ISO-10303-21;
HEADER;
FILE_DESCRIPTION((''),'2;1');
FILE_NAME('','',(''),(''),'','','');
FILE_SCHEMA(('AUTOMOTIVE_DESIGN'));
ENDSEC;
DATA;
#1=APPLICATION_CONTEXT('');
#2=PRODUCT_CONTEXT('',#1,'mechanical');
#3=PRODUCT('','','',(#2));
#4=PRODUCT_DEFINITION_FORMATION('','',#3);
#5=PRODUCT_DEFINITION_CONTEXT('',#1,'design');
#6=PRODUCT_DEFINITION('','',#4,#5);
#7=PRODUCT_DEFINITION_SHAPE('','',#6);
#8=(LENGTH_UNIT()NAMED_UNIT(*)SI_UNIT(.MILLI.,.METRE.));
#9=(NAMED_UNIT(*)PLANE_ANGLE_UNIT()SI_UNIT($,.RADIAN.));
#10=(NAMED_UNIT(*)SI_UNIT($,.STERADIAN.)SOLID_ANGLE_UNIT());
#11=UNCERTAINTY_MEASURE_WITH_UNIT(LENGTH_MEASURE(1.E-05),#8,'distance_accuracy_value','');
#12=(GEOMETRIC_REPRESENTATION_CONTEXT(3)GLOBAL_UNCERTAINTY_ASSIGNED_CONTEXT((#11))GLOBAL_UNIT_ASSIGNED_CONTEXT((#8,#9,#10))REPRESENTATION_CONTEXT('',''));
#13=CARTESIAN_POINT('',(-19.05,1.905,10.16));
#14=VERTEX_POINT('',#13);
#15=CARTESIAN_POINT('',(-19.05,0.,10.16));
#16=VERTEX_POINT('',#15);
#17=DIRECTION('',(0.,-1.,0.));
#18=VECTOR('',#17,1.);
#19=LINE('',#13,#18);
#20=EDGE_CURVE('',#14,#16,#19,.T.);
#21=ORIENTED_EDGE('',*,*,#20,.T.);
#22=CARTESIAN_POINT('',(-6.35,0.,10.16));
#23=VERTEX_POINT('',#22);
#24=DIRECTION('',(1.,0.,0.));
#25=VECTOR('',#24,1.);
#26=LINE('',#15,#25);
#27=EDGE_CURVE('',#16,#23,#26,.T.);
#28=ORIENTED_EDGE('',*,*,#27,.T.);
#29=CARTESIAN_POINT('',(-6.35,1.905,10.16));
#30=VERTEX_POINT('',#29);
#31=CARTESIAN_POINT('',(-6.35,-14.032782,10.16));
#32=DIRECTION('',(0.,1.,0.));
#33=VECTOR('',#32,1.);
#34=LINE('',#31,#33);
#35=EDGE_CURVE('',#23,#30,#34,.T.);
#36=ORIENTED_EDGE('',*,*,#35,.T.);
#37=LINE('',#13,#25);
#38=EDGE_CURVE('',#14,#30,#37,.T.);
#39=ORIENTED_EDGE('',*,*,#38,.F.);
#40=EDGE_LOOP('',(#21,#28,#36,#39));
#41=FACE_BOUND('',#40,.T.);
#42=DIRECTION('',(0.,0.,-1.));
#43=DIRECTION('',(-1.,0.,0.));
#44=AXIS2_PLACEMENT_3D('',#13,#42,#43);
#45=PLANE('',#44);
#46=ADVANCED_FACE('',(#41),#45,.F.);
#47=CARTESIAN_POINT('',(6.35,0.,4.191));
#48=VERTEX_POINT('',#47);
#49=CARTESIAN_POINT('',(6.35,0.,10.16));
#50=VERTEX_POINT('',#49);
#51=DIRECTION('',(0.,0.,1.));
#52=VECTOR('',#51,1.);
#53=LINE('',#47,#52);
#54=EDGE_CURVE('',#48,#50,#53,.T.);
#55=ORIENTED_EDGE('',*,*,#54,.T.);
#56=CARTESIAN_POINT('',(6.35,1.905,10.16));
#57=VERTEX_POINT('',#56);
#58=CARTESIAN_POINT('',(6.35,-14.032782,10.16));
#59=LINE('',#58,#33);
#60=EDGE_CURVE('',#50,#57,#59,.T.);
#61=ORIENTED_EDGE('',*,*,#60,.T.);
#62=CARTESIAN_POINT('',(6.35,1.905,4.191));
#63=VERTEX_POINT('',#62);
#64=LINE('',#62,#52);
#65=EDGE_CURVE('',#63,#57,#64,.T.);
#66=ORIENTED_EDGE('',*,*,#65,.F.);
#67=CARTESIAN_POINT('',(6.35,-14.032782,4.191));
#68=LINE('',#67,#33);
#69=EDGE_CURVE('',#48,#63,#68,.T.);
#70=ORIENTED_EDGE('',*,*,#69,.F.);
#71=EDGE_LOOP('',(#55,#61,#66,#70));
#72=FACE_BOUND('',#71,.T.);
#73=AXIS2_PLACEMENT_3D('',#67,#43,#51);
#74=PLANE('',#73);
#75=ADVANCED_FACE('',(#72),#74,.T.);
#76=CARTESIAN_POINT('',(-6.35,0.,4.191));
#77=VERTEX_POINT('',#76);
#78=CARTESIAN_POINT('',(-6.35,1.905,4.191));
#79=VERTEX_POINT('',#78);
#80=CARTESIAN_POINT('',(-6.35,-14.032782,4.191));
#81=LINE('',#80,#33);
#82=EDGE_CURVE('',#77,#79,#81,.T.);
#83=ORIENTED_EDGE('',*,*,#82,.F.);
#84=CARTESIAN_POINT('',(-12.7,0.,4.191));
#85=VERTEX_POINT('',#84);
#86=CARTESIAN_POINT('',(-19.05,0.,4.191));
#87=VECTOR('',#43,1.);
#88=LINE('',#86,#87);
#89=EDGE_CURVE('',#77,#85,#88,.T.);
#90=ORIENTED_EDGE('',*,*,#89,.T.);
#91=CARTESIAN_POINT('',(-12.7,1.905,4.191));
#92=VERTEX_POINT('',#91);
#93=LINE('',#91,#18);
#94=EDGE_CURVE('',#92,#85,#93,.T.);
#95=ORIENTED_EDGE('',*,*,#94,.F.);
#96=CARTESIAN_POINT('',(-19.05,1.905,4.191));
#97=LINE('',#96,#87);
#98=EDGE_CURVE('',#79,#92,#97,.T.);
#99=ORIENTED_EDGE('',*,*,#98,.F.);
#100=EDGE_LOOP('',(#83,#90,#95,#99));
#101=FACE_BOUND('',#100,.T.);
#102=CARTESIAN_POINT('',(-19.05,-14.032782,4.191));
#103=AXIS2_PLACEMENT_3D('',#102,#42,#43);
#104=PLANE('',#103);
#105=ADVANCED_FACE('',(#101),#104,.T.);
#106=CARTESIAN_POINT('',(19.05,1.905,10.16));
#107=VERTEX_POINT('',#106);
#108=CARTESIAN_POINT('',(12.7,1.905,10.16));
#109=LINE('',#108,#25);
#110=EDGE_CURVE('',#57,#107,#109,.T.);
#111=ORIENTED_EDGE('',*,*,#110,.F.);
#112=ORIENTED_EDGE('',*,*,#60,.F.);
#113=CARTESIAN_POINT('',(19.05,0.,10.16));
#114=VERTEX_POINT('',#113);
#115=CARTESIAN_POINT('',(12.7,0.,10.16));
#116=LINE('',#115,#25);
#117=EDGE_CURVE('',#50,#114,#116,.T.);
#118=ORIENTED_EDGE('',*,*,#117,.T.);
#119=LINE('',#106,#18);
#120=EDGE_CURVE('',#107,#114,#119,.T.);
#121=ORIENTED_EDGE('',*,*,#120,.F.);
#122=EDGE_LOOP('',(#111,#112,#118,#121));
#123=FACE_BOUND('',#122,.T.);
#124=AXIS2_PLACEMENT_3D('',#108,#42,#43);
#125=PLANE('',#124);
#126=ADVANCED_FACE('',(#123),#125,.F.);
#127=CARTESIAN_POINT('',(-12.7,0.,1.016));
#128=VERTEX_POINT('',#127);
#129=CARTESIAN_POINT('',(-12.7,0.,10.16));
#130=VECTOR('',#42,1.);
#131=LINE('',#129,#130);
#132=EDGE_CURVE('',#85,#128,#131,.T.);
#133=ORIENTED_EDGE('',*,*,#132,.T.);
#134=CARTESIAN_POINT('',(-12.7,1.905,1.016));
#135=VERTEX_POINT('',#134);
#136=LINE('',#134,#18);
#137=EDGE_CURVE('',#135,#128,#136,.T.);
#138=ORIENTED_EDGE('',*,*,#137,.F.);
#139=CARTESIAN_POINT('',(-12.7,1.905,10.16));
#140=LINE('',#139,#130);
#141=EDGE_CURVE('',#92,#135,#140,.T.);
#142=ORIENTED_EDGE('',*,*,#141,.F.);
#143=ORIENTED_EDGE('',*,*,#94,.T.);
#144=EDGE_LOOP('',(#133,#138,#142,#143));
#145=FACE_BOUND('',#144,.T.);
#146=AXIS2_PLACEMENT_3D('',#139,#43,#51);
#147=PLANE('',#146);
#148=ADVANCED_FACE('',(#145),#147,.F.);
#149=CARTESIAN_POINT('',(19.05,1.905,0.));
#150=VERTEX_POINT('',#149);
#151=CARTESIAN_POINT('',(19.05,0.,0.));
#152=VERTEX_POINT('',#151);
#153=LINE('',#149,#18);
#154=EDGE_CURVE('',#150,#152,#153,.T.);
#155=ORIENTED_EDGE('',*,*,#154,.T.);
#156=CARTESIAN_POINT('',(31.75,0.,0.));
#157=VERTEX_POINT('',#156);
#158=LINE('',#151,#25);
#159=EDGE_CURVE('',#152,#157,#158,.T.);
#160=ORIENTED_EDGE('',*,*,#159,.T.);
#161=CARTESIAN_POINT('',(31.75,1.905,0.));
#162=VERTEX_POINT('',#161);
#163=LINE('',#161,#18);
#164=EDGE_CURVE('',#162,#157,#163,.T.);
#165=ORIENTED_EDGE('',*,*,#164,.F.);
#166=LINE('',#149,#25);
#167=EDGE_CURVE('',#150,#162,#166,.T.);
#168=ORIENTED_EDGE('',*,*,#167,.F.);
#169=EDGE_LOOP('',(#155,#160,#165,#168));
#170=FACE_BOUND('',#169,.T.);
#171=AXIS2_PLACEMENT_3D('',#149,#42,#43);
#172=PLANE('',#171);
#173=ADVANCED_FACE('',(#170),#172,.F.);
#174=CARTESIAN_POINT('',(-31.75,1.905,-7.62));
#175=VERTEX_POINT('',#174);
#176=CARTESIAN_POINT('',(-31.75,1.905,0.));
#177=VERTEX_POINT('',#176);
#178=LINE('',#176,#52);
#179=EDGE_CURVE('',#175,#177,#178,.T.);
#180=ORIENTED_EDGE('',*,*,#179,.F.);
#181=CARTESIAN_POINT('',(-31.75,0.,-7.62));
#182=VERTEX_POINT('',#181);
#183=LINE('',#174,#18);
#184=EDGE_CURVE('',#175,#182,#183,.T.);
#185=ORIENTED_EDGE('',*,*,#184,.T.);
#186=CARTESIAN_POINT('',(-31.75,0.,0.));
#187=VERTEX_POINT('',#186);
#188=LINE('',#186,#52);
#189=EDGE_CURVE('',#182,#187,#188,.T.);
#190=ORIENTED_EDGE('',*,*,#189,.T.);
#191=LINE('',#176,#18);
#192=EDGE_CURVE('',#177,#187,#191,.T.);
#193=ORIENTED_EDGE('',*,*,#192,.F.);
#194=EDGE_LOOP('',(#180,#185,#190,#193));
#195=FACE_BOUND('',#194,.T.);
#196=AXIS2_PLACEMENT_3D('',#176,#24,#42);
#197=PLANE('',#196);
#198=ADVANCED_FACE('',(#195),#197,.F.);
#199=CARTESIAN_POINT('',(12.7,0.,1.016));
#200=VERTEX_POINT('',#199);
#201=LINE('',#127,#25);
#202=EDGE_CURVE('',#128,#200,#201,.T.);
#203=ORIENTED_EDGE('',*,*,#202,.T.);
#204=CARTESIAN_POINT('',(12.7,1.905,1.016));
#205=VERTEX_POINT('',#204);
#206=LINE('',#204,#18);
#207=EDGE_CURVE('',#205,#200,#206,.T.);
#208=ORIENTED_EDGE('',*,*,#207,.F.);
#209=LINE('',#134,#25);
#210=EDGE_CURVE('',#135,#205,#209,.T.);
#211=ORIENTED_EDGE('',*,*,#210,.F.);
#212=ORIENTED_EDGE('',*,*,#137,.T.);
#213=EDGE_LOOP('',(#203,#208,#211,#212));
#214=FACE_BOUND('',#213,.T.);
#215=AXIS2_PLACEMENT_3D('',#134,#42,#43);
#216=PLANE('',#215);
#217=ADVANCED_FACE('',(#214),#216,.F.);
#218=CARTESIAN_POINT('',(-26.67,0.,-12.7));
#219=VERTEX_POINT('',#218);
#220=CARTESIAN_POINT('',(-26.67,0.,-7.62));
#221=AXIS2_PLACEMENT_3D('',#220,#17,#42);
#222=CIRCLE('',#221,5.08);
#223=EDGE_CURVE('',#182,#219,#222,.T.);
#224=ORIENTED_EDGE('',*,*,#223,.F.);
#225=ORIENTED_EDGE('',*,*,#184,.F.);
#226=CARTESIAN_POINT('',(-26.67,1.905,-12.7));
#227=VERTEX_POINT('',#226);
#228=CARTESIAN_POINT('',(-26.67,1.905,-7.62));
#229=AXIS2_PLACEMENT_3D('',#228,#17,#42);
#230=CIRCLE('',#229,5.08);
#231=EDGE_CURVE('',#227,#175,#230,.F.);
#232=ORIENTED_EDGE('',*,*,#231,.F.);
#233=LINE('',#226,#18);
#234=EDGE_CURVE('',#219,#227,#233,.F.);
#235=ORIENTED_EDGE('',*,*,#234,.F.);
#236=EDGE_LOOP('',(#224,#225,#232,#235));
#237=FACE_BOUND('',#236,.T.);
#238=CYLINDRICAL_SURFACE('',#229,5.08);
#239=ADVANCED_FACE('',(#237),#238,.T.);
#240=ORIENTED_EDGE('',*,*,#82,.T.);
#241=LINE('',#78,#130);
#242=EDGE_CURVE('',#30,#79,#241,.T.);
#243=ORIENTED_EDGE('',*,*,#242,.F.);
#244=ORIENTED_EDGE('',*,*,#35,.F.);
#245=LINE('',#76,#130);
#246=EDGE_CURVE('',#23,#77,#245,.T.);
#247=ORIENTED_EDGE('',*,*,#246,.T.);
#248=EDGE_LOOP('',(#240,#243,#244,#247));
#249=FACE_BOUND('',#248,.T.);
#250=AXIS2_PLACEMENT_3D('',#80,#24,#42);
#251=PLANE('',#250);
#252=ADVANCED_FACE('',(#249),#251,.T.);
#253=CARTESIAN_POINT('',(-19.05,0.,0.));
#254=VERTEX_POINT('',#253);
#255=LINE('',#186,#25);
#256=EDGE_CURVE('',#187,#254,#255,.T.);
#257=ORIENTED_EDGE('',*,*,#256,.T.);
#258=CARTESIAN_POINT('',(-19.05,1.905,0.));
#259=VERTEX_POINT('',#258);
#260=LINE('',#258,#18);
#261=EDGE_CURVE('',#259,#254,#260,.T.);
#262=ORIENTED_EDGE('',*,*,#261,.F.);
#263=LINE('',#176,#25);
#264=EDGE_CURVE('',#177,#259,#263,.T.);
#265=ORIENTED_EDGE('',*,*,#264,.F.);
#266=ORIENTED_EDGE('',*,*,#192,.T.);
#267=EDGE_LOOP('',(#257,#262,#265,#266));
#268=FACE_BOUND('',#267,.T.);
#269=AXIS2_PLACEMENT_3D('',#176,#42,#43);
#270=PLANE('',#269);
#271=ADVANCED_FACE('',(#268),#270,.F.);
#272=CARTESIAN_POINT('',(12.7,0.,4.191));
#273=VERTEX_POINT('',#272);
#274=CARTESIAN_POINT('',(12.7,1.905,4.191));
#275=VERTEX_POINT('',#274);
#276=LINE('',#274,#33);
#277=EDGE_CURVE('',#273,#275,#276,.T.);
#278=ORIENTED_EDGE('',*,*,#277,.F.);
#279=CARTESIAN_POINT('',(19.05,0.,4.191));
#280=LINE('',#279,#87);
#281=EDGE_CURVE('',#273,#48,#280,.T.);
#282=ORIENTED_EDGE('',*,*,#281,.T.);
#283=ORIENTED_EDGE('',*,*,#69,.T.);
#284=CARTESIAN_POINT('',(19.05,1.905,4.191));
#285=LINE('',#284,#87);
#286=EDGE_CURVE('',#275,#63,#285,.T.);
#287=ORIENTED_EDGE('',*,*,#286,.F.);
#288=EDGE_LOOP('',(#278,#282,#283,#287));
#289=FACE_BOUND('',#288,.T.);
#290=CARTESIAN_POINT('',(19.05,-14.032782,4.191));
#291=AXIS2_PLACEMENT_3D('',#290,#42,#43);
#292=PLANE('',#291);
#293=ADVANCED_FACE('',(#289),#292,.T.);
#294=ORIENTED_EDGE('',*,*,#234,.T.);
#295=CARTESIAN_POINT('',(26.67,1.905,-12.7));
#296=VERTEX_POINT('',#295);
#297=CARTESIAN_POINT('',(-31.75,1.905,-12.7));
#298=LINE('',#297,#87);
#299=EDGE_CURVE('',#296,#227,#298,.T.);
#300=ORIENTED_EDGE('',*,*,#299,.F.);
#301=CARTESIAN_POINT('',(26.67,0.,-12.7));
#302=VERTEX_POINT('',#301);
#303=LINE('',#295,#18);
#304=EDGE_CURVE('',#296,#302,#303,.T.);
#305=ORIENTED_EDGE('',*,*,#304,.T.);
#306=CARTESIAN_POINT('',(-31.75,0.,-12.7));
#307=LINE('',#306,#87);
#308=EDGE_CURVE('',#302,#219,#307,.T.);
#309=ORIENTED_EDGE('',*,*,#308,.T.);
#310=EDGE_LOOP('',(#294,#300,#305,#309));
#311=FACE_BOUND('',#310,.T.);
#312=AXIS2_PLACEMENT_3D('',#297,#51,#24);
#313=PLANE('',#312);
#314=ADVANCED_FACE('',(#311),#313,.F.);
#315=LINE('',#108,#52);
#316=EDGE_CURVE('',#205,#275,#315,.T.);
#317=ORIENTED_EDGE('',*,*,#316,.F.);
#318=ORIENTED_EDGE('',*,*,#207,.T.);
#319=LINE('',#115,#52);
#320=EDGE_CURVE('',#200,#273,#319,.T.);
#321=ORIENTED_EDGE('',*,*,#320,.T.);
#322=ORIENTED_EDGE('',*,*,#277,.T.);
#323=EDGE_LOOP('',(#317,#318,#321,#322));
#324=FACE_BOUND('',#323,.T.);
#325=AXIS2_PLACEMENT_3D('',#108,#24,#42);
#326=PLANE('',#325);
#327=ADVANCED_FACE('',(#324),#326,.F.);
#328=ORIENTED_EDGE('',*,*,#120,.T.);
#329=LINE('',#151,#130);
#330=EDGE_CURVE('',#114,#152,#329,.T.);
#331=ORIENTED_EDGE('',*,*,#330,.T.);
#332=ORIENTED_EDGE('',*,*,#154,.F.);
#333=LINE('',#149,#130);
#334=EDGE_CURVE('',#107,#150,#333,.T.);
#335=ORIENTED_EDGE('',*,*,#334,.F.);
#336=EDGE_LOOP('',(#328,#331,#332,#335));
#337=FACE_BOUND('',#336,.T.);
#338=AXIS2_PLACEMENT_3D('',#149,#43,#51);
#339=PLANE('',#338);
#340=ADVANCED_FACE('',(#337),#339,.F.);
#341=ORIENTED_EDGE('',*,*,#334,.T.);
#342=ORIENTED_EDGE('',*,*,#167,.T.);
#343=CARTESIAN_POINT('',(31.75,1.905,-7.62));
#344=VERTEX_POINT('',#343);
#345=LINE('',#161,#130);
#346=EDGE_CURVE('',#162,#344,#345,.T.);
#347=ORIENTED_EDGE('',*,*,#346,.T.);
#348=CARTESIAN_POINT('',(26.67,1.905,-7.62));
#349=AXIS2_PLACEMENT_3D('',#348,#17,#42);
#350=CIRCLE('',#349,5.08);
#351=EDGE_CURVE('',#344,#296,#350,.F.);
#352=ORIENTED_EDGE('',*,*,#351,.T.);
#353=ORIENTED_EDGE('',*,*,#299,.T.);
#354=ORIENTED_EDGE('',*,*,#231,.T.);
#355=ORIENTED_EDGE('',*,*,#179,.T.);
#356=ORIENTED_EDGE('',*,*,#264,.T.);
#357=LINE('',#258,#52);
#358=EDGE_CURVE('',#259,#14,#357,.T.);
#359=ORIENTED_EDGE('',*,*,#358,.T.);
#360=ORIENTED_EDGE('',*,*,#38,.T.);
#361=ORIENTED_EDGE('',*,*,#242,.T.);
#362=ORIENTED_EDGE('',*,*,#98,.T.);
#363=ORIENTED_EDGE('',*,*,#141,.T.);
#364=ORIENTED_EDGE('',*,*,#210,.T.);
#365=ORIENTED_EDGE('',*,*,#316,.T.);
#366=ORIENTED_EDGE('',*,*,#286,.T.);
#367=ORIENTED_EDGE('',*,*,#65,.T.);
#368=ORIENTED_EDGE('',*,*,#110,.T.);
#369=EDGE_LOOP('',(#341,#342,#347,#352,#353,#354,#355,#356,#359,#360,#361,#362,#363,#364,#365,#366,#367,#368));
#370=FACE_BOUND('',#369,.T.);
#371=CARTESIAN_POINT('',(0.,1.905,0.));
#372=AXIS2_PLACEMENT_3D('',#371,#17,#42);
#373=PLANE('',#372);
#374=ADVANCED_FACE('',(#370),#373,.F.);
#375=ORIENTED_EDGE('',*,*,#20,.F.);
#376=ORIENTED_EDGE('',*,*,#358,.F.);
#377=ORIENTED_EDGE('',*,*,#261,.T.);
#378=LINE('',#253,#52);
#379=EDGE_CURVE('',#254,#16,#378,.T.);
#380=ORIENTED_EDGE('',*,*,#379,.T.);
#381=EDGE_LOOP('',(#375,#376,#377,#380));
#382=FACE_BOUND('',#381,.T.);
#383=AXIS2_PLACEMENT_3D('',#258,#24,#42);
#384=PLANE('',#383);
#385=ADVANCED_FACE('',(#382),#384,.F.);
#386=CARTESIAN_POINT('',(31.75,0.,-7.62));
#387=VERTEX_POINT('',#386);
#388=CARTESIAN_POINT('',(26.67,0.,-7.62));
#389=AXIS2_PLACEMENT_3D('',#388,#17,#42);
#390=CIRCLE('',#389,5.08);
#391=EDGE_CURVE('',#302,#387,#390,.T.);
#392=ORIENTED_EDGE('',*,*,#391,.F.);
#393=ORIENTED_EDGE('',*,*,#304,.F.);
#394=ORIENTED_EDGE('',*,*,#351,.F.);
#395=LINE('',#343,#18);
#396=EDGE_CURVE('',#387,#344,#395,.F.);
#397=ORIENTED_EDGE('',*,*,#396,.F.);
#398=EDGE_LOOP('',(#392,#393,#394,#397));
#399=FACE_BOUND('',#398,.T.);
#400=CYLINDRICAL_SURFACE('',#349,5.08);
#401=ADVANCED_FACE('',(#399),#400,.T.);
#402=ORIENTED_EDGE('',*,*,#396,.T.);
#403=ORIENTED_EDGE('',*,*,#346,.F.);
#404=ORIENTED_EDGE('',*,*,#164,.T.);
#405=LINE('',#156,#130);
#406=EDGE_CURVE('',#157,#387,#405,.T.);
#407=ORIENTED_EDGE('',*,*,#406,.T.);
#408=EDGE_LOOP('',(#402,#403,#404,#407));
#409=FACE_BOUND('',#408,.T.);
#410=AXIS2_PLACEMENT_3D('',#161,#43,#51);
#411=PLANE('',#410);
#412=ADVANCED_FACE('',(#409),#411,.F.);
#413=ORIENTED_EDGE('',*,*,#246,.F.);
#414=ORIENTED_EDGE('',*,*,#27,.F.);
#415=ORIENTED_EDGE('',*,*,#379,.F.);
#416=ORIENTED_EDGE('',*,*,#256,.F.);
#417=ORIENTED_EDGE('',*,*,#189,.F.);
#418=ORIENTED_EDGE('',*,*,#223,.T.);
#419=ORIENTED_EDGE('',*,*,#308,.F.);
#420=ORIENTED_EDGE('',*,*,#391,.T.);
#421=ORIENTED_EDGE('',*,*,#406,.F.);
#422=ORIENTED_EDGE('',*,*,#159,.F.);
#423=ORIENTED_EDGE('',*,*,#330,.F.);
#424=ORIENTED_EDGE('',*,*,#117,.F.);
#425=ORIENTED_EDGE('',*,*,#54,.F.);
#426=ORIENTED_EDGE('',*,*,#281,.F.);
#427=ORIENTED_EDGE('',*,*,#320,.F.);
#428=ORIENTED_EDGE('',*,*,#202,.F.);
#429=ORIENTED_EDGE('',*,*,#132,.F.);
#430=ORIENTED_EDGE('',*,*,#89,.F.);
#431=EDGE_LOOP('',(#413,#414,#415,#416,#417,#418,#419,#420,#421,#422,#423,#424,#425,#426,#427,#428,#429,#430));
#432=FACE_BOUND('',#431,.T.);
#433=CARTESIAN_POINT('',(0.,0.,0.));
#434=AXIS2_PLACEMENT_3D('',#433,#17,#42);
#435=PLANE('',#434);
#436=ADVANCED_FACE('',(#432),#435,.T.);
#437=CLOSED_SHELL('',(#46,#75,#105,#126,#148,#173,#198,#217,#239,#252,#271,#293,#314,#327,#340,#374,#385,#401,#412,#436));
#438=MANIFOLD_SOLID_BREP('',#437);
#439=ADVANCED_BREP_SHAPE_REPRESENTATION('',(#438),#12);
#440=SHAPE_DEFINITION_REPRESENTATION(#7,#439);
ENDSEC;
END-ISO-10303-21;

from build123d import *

# Parameters (mm, degrees)
BOSS_EXTRUDE1_DEPTH = 1.905
FILLET1_R           = 5.08
SKETCH2_W           = 12.7
SKETCH2_H           = 5.969
BOSS_EXTRUDE2_DEPTH = 1.905


with BuildPart() as part:
    # Sketch1 → Boss-Extrude1 (new body)
    with BuildSketch(Plane(origin=(0, 0, 0), x_dir=(1, 0, 0), z_dir=(0, 1, 0))):
        Polygon((19.05, 0), (31.75, 0), (31.75, 12.7), (-31.75, 12.7), (-31.75, 0), (-19.05, 0), (-19.05, -10.16), (-12.7, -10.16), (-12.7, -1.016), (12.7, -1.016), (12.7, -10.16), (19.05, -10.16), align=None)
    extrude(amount=BOSS_EXTRUDE1_DEPTH)

    # Fillet1
    fillet1_edges = [part.edges().sort_by_distance(p)[0] for p in [
        (-31.75, 0.9525, -12.7),
        (31.75, 0.9525, -12.7),
    ]]
    fillet(fillet1_edges, radius=FILLET1_R)

    # Sketch2 → Boss-Extrude2 (add)
    with BuildSketch(Plane(origin=(0, 1.905, 0), x_dir=(1, 0, 0), z_dir=(0, 1, 0))):
        with Locations((-12.7, -7.1755)):
            Rectangle(SKETCH2_W, SKETCH2_H)
        with Locations((12.7, -7.1755)):
            Rectangle(SKETCH2_W, SKETCH2_H)
    extrude(amount=-BOSS_EXTRUDE2_DEPTH)


solid = part.part
